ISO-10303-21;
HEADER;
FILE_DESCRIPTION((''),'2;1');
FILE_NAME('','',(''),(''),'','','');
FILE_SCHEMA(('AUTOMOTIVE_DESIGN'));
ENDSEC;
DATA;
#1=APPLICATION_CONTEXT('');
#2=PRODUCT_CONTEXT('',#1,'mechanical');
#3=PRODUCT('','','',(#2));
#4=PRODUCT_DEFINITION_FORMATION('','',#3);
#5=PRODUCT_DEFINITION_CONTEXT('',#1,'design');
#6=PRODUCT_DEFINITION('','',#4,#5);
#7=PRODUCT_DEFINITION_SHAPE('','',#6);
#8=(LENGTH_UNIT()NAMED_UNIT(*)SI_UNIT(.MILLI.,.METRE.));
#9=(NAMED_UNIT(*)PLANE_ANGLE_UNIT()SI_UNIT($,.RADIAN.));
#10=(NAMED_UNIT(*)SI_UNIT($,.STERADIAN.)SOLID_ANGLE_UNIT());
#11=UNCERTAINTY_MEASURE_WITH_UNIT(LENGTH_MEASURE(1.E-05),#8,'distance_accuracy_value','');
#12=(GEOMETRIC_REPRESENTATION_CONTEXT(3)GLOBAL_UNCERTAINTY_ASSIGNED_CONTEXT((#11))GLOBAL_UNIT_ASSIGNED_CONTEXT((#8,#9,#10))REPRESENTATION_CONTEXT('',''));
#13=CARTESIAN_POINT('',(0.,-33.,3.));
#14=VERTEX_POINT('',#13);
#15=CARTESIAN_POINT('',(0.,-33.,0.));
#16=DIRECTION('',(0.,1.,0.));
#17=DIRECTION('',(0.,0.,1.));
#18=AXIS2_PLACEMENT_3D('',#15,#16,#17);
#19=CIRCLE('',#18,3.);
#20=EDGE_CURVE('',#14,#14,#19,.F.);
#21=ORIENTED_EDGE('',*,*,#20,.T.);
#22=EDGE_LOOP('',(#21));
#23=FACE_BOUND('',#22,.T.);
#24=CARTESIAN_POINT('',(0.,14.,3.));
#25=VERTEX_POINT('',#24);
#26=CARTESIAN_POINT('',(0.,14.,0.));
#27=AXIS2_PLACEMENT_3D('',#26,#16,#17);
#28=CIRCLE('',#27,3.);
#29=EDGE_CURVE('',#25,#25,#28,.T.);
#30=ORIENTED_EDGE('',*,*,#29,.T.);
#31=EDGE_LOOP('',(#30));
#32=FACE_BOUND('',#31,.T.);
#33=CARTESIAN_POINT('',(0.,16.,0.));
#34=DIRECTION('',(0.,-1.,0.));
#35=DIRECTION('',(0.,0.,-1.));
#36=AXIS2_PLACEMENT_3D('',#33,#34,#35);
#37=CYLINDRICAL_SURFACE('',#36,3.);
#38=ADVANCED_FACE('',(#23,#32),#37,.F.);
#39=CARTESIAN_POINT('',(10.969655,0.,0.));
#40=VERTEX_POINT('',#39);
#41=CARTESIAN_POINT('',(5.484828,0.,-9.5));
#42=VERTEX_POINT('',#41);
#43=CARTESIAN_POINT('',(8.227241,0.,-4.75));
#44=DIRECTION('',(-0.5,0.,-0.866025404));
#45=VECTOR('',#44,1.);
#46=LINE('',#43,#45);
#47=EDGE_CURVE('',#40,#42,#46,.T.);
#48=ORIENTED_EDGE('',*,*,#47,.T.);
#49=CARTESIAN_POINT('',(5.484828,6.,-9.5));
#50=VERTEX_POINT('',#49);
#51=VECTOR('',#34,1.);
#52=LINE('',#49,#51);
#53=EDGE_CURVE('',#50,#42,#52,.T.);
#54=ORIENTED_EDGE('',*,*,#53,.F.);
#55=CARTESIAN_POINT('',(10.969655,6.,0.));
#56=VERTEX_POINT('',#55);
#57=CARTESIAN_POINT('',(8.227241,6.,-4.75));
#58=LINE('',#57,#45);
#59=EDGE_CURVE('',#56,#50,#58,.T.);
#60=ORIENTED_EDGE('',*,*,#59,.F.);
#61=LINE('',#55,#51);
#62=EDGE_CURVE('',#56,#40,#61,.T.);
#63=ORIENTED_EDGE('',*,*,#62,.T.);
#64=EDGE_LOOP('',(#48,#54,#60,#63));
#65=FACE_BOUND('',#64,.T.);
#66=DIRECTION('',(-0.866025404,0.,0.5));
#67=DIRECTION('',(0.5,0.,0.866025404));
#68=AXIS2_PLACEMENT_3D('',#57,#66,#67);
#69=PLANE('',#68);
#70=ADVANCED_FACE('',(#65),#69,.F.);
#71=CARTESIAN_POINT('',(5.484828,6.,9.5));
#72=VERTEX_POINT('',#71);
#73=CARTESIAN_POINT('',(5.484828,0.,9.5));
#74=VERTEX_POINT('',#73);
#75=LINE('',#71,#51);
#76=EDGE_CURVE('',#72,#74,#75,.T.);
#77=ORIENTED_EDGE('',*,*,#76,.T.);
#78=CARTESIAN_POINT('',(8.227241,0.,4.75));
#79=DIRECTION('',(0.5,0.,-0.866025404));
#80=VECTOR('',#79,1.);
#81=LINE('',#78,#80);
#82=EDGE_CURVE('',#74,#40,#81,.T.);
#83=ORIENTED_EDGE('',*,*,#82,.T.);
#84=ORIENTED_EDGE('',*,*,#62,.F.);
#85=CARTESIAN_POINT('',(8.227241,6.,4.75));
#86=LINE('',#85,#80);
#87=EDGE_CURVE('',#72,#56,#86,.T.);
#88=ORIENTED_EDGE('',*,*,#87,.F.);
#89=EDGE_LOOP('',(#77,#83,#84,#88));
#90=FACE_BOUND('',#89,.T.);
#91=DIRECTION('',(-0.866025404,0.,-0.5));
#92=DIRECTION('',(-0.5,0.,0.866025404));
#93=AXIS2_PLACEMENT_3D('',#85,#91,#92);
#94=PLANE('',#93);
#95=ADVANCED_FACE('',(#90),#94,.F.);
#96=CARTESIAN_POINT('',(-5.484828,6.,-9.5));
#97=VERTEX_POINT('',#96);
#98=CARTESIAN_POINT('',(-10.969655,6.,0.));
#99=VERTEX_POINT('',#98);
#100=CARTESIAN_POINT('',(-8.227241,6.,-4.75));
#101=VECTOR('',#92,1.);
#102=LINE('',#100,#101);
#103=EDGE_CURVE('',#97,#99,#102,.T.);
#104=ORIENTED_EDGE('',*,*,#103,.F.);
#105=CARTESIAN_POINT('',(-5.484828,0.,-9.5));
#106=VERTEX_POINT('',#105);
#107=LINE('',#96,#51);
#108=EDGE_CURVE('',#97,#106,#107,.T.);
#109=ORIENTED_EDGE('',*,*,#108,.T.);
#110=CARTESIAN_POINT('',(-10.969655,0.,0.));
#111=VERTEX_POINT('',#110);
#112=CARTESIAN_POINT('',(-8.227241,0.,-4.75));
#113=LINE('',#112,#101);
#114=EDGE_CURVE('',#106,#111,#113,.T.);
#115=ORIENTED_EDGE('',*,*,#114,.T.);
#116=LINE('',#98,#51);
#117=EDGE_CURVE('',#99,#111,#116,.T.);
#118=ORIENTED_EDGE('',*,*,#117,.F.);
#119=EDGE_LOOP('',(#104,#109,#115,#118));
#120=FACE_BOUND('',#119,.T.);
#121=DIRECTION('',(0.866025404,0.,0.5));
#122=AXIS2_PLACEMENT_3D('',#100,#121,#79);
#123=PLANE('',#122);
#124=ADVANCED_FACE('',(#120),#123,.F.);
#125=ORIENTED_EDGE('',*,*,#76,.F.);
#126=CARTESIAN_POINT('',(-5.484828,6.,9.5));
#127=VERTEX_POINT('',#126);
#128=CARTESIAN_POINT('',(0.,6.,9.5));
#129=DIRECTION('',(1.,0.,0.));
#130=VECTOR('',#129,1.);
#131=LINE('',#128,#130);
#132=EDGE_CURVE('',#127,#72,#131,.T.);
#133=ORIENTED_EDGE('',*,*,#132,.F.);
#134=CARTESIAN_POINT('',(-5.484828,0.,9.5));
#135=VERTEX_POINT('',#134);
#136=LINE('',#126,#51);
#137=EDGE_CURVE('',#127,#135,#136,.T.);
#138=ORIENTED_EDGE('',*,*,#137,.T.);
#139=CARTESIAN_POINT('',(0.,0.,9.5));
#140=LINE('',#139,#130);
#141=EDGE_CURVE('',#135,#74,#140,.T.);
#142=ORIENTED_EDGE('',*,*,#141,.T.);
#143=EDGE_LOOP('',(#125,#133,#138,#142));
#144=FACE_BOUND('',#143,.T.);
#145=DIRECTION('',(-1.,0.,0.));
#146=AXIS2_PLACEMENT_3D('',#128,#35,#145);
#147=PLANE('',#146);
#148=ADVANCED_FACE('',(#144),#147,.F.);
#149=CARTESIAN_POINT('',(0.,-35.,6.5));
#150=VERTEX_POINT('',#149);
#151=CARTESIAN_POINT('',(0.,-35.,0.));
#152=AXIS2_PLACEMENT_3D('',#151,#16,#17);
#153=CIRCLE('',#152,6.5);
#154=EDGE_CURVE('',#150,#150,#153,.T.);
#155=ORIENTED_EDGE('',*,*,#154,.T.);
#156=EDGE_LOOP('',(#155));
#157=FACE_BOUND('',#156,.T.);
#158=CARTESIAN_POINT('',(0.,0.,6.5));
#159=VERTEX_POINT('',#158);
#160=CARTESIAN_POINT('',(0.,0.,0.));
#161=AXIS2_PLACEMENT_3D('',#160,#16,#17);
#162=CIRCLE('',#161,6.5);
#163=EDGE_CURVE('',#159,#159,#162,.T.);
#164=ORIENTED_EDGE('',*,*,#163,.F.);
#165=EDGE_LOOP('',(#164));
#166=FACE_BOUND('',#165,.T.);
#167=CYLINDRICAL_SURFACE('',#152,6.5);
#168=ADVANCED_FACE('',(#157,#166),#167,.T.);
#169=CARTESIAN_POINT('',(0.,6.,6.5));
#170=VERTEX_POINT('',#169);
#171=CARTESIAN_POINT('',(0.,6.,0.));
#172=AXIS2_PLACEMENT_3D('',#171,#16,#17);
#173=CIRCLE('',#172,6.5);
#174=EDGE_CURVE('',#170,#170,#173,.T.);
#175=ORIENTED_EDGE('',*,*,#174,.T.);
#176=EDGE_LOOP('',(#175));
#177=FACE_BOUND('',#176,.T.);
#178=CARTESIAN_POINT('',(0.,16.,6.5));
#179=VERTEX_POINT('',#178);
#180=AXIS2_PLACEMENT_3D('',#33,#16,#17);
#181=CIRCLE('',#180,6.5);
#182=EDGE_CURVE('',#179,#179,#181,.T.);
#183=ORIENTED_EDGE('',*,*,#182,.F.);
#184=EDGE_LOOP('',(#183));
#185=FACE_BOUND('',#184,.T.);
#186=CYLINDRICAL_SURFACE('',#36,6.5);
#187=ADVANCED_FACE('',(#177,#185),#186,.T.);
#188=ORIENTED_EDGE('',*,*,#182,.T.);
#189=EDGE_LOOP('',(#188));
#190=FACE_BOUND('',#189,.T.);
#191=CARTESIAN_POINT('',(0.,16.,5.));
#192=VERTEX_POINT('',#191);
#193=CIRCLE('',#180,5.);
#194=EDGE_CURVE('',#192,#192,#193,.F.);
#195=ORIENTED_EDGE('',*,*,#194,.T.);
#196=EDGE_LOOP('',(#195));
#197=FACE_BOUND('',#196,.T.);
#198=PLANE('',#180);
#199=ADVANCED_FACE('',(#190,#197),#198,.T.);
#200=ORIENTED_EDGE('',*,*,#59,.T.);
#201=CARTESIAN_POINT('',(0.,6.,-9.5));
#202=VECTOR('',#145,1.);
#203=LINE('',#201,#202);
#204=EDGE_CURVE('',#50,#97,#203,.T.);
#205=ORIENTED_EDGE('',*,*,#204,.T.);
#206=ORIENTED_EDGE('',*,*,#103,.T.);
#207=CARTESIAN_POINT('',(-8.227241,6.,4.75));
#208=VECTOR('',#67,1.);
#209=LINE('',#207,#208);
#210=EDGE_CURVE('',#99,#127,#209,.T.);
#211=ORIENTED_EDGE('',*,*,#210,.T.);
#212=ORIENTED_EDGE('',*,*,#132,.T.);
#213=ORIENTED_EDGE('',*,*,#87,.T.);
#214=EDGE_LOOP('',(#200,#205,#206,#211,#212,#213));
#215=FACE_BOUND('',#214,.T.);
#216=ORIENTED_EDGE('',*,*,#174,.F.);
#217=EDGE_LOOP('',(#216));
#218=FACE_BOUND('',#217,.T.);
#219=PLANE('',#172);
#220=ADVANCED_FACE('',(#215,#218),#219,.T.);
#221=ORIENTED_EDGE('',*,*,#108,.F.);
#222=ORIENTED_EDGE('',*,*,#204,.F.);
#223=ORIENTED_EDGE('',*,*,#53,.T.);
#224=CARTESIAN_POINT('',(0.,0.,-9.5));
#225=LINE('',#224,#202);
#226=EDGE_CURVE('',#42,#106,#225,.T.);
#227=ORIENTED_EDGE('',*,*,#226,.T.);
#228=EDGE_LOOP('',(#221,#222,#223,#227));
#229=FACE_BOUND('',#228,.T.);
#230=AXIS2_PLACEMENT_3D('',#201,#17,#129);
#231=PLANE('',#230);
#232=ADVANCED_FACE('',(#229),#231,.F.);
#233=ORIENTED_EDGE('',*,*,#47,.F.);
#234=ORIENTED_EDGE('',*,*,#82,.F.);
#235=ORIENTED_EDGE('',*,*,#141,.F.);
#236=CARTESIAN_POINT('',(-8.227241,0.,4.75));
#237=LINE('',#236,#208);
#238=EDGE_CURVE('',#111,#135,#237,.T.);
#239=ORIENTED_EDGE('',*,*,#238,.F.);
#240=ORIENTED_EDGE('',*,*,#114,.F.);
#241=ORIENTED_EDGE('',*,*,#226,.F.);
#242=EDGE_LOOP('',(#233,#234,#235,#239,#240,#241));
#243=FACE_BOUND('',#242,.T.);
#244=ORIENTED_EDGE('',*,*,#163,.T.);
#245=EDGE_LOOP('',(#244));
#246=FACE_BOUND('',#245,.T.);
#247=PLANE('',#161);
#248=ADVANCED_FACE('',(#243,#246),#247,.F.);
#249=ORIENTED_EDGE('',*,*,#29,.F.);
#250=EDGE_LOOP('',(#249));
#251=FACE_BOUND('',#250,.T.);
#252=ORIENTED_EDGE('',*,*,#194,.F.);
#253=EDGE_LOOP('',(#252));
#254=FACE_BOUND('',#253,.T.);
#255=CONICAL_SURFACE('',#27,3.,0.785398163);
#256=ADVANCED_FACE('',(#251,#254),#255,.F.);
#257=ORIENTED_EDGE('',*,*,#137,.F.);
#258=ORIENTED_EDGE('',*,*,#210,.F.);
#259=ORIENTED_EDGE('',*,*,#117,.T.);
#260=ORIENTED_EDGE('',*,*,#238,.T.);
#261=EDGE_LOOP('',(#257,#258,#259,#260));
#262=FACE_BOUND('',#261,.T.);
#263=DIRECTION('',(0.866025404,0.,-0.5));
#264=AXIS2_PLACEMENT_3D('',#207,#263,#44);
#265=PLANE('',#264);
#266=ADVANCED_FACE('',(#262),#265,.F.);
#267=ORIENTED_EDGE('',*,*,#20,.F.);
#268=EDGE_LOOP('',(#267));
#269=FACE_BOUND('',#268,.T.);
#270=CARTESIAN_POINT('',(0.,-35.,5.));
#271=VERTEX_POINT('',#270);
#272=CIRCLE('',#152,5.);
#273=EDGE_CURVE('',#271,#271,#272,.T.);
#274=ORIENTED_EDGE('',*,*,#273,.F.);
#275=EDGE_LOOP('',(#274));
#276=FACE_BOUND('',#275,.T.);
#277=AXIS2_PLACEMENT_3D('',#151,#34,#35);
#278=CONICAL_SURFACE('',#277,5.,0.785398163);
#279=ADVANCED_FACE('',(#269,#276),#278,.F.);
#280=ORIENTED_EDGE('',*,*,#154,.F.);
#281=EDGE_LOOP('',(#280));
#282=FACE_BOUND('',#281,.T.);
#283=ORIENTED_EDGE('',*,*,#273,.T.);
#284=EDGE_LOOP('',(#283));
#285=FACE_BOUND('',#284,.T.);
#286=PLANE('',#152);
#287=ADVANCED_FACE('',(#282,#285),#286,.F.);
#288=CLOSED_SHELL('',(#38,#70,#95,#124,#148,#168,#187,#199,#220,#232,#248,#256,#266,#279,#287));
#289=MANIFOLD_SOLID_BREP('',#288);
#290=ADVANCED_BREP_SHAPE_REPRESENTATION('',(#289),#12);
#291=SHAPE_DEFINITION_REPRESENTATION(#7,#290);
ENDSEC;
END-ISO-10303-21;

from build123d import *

# Parameters (mm, degrees)
SZKIC1_R                         = 6.5
DODANIE_WYCI_GNI_CIE1_DEPTH      = 6
SZKIC1_3_R                       = 6.5
SZKIC1_3_R_2                     = 3
DODANIE_WYCI_GNI_CIE2_DEPTH      = 16
DODANIE_WYCI_GNI_CIE3_DEPTH      = 16
DODANIE_WYCI_GNI_CIE3_DEPTH_BACK = 35
SZKIC1_4_R                       = 6.5
SZKIC1_4_R_2                     = 3
SFAZOWANIE1_SIZE                 = 2
SFAZOWANIE2_SIZE                 = 2


with BuildPart() as part:
    # Szkic1 → Dodanie-wyciągnięcie1 (new body)
    with BuildSketch(Plane(origin=(0, 0, 0), x_dir=(1, 0, 0), z_dir=(0, 1, 0))):
        Polygon((-5.484827557, 9.5), (-10.969655115, 0), (-5.484827557, -9.5), (5.484827557, -9.5), (10.969655115, 0), (5.484827557, 9.5), align=None)
        Circle(SZKIC1_R, mode=Mode.SUBTRACT)
    extrude(amount=DODANIE_WYCI_GNI_CIE1_DEPTH)

    # Szkic1<3> → Dodanie-wyciągnięcie2 (add)
    with BuildSketch(Plane(origin=(0, 0, 0), x_dir=(1, 0, 0), z_dir=(0, 1, 0))):
        Circle(SZKIC1_3_R)
        Circle(SZKIC1_3_R_2, mode=Mode.SUBTRACT)
    extrude(amount=DODANIE_WYCI_GNI_CIE2_DEPTH)

    # Szkic1<4> → Dodanie-wyciągnięcie3 (add, two sides: drawn at the far end of the back side and taken through both)
    with BuildSketch(Plane(origin=(0, 0, 0), x_dir=(1, 0, 0), z_dir=(0, 1, 0)).offset(-DODANIE_WYCI_GNI_CIE3_DEPTH_BACK)):
        Circle(SZKIC1_4_R)
        Circle(SZKIC1_4_R_2, mode=Mode.SUBTRACT)
    extrude(amount=DODANIE_WYCI_GNI_CIE3_DEPTH + DODANIE_WYCI_GNI_CIE3_DEPTH_BACK)

    # Sfazowanie1
    sfazowanie1_edges = [part.edges().sort_by_distance(p)[0] for p in [
        (-3, 16, 0),
    ]]
    chamfer(sfazowanie1_edges, length=SFAZOWANIE1_SIZE)

    # Sfazowanie2
    sfazowanie2_edges = [part.edges().sort_by_distance(p)[0] for p in [
        (-3, -35, 0),
    ]]
    chamfer(sfazowanie2_edges, length=SFAZOWANIE2_SIZE)


solid = part.part
